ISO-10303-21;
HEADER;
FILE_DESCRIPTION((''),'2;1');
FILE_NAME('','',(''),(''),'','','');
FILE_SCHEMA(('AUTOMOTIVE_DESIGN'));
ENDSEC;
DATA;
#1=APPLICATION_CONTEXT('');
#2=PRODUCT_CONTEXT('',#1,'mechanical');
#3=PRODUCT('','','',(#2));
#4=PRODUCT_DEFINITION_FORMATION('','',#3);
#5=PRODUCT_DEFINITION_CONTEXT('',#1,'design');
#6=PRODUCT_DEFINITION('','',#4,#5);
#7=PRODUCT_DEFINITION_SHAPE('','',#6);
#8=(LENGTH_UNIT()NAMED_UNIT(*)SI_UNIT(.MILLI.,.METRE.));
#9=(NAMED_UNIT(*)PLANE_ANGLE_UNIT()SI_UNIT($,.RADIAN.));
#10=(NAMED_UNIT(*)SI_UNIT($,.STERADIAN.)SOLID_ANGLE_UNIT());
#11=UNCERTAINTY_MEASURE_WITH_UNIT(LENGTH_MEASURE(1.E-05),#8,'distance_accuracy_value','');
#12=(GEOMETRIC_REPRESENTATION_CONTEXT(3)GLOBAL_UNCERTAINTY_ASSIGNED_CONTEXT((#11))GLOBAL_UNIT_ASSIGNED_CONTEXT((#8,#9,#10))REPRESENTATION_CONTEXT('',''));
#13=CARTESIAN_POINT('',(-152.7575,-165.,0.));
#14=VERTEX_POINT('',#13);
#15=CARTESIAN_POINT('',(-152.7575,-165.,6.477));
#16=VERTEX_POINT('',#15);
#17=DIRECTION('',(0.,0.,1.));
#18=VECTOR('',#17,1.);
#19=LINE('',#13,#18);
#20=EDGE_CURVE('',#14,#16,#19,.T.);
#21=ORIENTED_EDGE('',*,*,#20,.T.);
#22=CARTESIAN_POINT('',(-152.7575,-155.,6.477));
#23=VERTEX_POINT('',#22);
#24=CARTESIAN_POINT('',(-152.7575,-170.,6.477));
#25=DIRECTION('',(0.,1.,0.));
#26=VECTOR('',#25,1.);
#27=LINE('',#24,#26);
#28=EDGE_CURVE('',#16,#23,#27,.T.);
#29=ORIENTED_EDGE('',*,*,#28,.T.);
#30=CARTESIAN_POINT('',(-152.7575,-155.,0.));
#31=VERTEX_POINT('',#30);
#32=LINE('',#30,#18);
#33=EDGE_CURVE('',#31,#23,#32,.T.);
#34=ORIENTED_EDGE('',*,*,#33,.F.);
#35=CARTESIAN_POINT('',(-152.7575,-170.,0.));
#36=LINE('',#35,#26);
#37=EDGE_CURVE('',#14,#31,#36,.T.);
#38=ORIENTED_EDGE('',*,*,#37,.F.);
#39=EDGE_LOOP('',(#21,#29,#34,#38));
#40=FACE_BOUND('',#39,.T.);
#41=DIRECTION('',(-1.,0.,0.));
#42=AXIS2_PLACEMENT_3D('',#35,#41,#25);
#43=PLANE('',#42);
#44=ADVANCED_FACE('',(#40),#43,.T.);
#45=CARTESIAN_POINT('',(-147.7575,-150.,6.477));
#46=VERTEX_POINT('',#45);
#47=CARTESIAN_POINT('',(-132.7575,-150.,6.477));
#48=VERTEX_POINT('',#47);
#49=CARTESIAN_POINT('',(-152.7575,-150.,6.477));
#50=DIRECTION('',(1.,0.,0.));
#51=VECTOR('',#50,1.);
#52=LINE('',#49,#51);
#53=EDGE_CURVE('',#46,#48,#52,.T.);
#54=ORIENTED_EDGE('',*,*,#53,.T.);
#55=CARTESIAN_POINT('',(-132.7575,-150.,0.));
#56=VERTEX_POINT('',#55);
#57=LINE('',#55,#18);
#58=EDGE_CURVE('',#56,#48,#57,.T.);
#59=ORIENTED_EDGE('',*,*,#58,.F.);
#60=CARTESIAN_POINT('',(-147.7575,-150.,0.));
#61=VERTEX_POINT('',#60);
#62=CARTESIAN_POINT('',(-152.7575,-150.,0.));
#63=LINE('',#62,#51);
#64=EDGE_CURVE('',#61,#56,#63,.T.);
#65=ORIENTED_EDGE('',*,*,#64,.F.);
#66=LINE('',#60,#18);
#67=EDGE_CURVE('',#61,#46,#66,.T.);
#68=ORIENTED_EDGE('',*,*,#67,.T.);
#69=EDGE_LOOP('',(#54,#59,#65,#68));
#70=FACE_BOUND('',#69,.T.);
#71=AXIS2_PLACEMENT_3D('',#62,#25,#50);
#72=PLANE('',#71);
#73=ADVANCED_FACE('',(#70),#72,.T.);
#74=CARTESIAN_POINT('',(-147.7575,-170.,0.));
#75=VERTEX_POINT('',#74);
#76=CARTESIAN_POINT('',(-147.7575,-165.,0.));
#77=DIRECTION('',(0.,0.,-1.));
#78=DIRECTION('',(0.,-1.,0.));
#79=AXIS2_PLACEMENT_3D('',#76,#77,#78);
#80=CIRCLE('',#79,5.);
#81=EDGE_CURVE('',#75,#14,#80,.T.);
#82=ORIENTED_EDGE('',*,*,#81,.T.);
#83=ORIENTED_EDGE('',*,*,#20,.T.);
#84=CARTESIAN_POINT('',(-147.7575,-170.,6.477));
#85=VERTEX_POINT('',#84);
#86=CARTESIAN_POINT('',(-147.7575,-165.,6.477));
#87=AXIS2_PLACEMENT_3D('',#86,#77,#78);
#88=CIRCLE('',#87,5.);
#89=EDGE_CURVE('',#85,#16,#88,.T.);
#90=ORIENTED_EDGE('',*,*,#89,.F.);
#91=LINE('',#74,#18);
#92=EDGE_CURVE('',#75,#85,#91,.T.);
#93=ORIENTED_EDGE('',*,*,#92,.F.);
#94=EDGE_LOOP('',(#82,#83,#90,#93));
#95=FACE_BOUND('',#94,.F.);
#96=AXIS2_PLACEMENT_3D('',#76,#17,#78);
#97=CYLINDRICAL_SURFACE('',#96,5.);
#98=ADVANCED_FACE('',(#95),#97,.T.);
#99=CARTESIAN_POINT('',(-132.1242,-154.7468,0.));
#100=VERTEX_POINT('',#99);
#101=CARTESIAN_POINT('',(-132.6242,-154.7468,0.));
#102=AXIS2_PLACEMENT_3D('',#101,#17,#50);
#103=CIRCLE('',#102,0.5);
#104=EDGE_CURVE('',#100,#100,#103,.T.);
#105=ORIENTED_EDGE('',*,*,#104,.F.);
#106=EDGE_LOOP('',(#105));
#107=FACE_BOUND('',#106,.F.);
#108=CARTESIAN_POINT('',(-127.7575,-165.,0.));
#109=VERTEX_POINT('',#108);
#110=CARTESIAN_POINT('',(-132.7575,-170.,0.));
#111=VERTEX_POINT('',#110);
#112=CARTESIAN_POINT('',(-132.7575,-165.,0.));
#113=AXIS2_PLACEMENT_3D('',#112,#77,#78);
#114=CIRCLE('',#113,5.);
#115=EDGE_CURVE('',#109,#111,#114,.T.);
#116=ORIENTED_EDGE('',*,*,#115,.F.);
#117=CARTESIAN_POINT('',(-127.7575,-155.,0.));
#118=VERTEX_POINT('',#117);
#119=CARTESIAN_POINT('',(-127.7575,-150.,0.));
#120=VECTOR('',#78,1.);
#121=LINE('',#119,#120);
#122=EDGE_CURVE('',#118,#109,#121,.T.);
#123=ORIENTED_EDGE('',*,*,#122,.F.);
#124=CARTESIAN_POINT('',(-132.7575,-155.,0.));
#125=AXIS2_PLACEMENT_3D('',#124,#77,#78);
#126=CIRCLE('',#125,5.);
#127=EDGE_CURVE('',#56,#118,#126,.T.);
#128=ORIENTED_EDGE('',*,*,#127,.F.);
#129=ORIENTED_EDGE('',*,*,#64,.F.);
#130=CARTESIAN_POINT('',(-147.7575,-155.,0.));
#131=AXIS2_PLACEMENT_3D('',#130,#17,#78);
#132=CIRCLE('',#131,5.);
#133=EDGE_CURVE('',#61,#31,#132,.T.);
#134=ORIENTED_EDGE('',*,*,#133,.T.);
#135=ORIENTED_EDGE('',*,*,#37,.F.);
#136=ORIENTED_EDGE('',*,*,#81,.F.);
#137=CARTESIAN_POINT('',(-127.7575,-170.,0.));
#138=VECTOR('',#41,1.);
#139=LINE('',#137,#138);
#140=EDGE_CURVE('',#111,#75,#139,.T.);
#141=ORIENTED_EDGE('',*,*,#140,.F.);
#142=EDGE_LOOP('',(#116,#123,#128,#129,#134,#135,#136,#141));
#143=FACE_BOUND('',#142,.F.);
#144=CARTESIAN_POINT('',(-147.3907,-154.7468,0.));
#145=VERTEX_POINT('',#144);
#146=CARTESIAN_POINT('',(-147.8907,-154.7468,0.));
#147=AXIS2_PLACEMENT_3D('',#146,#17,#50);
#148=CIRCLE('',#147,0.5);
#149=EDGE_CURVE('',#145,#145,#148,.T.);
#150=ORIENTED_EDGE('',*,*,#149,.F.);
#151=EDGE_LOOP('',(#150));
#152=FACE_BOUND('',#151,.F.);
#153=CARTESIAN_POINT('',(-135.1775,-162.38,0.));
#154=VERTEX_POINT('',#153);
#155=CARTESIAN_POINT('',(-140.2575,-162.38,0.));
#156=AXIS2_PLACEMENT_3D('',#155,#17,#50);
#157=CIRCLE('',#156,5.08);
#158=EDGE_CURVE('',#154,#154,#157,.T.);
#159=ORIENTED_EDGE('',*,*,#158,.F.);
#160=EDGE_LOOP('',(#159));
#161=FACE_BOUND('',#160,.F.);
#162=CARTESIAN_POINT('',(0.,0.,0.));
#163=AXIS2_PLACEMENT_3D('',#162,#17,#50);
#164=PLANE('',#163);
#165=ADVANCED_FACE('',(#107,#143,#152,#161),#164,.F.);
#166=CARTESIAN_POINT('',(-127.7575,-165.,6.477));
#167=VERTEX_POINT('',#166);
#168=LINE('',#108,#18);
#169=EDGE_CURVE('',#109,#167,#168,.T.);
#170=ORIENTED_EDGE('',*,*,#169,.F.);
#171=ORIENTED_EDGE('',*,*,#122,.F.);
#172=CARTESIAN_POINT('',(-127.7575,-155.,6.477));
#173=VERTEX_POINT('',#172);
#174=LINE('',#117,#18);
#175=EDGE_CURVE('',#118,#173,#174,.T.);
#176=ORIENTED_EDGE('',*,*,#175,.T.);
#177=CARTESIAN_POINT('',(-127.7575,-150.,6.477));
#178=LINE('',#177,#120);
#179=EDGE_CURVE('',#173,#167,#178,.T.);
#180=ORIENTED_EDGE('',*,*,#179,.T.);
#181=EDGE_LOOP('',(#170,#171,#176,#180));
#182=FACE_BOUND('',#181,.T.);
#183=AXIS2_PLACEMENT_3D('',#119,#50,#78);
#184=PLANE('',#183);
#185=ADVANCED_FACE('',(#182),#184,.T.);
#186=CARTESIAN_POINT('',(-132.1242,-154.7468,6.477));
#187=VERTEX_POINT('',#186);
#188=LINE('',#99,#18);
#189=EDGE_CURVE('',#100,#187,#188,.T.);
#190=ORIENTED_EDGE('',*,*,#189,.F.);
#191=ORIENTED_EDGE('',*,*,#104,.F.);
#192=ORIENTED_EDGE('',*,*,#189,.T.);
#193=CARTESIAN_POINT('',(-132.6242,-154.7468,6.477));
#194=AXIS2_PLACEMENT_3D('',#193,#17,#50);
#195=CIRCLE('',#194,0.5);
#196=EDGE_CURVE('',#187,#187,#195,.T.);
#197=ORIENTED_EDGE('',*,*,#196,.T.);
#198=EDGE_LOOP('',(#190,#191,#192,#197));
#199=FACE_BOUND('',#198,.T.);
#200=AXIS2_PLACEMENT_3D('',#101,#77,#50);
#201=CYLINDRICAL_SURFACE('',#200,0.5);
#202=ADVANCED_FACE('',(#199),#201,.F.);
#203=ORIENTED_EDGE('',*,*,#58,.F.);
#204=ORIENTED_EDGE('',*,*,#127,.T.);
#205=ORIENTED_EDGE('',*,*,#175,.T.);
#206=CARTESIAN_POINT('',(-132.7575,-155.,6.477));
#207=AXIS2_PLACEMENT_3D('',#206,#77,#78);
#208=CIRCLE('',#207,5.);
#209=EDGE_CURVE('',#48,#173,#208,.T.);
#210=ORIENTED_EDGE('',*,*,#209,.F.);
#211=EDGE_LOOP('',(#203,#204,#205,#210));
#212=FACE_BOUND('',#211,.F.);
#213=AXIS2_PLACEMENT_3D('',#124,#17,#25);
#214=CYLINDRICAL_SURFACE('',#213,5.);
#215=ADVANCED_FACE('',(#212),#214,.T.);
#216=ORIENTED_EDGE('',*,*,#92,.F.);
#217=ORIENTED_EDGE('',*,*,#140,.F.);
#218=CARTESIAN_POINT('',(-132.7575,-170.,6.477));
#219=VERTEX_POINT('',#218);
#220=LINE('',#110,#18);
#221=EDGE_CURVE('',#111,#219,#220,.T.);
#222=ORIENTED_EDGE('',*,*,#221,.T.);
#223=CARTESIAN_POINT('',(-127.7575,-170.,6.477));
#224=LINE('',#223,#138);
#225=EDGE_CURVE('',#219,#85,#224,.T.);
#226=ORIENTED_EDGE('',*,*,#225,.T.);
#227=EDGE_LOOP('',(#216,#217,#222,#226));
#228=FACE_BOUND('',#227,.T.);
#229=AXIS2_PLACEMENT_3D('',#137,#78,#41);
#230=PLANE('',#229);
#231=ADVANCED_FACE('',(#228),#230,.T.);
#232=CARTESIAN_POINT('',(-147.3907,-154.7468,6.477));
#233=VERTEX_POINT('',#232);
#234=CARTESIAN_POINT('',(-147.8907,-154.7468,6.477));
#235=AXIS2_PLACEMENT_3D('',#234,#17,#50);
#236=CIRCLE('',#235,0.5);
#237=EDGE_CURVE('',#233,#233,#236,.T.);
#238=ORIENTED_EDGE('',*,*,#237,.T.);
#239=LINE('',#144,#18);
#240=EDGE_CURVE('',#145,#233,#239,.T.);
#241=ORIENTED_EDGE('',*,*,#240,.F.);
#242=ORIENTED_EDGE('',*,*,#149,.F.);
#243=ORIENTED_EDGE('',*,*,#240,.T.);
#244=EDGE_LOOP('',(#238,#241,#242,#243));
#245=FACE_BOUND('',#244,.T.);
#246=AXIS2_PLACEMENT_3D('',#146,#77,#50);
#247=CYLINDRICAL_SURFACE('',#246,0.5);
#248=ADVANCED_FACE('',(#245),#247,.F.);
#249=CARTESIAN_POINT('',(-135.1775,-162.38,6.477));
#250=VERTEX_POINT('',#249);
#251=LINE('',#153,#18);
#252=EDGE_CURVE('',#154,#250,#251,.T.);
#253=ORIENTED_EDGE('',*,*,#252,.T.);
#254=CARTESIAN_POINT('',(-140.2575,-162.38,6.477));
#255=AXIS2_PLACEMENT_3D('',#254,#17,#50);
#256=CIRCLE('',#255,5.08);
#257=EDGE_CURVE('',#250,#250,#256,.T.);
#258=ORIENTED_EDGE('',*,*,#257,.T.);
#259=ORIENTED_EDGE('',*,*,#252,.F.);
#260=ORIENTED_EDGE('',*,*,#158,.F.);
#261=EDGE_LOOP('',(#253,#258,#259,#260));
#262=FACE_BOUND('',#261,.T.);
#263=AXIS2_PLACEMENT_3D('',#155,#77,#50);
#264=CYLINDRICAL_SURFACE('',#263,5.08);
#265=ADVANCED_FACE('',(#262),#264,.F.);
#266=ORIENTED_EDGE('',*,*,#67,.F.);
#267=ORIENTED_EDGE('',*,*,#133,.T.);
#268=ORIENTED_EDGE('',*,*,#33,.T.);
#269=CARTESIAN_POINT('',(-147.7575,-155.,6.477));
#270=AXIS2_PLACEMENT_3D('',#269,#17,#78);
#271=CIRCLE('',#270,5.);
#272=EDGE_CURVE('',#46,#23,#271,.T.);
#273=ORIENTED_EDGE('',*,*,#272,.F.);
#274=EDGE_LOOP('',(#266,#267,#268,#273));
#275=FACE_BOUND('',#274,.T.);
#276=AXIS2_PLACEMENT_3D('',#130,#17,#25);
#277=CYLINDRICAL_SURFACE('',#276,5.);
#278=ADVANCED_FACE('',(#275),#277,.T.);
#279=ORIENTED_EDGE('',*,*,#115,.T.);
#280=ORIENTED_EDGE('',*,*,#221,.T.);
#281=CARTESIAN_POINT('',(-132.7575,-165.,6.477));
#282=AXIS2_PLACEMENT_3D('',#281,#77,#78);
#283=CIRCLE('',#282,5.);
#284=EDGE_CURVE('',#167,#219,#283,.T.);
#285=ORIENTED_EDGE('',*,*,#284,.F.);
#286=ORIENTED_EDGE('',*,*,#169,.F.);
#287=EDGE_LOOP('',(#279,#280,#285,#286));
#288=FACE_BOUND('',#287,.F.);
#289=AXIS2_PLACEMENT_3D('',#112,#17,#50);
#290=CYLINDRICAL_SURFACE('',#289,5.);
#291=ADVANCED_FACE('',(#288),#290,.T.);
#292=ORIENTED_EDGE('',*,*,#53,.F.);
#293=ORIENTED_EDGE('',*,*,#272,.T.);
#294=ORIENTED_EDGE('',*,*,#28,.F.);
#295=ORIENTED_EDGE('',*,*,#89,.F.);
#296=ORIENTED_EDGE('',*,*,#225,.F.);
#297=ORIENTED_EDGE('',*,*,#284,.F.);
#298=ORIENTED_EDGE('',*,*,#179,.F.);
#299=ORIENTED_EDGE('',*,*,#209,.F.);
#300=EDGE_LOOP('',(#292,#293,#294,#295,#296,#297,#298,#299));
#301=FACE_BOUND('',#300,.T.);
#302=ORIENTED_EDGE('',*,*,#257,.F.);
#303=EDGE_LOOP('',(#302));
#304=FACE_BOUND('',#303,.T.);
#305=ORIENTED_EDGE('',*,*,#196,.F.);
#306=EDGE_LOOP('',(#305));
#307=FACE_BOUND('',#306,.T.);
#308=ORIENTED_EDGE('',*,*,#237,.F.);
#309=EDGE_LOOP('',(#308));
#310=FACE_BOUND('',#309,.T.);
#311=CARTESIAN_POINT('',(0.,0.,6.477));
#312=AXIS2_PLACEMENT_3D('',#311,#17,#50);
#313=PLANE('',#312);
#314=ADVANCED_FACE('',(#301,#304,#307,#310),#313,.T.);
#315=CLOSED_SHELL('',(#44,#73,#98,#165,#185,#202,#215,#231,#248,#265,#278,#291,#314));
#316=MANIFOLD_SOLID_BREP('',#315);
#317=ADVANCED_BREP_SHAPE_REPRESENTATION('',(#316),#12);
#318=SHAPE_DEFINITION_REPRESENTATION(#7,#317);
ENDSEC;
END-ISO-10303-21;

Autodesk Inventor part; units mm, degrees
ref_plane "YZ Plane" through (0, 0, 0) normal (1, 0, 0) x (0, 1, 0)
ref_plane "XZ Plane" through (0, 0, 0) normal (0, 1, 0) x (-1, 0, 0)
ref_plane "XY Plane" through (0, 0, 0) normal (0, 0, 1) x (1, 0, 0)
ref_plane "Work Plane1" through (0, 0, 0) normal (0, 0, 1) x (1, 0, 0)
sketch "Sketch1" plane through (0, 0, 0) normal (0, 0, 1) x (1, 0, 0)
  circle A0 centre (-140.2575, -162.38) radius 5.08 projected
  circle A1 centre (-132.6242, -154.7468) radius 1.125 projected
  line L0 (-140.2575, -162.38) -> (-140.2575, -149.1787) construction
  circle A2 centre (-147.8907, -154.7468) radius 1.125
  line L1 (-239.2575, -170) -> (4.7425, -170) construction
  line L2 (-152.7575, -150) -> (-127.7575, -150)
  line L3 (-127.7575, -150) -> (-127.7575, -170)
  line L4 (-127.7575, -170) -> (-152.7575, -170)
  line L5 (-152.7575, -170) -> (-152.7575, -150)
  circle A3 centre (-147.8907, -154.7468) radius 0.5
  circle A4 centre (-132.6242, -154.7468) radius 0.5
  point P0 (0, 0)
  point P1 (-140.2575, -170)
  dimension "d0" = 20
  dimension "d2" = 25
  dimension "d3" = 1
extrude "Extrusion1" add sketch "Sketch1" along normal blind 6.477 contours A1 | A2 | L2 L3 L4 L5
fillet "Fillet1" radius 5 4 edges at (-127.7575, -170, 3.2385) (-127.7575, -150, 3.2385) (-152.7575, -170, 3.2385) (-152.7575, -150, 3.2385)
properties part number "TUNING SPACER"
